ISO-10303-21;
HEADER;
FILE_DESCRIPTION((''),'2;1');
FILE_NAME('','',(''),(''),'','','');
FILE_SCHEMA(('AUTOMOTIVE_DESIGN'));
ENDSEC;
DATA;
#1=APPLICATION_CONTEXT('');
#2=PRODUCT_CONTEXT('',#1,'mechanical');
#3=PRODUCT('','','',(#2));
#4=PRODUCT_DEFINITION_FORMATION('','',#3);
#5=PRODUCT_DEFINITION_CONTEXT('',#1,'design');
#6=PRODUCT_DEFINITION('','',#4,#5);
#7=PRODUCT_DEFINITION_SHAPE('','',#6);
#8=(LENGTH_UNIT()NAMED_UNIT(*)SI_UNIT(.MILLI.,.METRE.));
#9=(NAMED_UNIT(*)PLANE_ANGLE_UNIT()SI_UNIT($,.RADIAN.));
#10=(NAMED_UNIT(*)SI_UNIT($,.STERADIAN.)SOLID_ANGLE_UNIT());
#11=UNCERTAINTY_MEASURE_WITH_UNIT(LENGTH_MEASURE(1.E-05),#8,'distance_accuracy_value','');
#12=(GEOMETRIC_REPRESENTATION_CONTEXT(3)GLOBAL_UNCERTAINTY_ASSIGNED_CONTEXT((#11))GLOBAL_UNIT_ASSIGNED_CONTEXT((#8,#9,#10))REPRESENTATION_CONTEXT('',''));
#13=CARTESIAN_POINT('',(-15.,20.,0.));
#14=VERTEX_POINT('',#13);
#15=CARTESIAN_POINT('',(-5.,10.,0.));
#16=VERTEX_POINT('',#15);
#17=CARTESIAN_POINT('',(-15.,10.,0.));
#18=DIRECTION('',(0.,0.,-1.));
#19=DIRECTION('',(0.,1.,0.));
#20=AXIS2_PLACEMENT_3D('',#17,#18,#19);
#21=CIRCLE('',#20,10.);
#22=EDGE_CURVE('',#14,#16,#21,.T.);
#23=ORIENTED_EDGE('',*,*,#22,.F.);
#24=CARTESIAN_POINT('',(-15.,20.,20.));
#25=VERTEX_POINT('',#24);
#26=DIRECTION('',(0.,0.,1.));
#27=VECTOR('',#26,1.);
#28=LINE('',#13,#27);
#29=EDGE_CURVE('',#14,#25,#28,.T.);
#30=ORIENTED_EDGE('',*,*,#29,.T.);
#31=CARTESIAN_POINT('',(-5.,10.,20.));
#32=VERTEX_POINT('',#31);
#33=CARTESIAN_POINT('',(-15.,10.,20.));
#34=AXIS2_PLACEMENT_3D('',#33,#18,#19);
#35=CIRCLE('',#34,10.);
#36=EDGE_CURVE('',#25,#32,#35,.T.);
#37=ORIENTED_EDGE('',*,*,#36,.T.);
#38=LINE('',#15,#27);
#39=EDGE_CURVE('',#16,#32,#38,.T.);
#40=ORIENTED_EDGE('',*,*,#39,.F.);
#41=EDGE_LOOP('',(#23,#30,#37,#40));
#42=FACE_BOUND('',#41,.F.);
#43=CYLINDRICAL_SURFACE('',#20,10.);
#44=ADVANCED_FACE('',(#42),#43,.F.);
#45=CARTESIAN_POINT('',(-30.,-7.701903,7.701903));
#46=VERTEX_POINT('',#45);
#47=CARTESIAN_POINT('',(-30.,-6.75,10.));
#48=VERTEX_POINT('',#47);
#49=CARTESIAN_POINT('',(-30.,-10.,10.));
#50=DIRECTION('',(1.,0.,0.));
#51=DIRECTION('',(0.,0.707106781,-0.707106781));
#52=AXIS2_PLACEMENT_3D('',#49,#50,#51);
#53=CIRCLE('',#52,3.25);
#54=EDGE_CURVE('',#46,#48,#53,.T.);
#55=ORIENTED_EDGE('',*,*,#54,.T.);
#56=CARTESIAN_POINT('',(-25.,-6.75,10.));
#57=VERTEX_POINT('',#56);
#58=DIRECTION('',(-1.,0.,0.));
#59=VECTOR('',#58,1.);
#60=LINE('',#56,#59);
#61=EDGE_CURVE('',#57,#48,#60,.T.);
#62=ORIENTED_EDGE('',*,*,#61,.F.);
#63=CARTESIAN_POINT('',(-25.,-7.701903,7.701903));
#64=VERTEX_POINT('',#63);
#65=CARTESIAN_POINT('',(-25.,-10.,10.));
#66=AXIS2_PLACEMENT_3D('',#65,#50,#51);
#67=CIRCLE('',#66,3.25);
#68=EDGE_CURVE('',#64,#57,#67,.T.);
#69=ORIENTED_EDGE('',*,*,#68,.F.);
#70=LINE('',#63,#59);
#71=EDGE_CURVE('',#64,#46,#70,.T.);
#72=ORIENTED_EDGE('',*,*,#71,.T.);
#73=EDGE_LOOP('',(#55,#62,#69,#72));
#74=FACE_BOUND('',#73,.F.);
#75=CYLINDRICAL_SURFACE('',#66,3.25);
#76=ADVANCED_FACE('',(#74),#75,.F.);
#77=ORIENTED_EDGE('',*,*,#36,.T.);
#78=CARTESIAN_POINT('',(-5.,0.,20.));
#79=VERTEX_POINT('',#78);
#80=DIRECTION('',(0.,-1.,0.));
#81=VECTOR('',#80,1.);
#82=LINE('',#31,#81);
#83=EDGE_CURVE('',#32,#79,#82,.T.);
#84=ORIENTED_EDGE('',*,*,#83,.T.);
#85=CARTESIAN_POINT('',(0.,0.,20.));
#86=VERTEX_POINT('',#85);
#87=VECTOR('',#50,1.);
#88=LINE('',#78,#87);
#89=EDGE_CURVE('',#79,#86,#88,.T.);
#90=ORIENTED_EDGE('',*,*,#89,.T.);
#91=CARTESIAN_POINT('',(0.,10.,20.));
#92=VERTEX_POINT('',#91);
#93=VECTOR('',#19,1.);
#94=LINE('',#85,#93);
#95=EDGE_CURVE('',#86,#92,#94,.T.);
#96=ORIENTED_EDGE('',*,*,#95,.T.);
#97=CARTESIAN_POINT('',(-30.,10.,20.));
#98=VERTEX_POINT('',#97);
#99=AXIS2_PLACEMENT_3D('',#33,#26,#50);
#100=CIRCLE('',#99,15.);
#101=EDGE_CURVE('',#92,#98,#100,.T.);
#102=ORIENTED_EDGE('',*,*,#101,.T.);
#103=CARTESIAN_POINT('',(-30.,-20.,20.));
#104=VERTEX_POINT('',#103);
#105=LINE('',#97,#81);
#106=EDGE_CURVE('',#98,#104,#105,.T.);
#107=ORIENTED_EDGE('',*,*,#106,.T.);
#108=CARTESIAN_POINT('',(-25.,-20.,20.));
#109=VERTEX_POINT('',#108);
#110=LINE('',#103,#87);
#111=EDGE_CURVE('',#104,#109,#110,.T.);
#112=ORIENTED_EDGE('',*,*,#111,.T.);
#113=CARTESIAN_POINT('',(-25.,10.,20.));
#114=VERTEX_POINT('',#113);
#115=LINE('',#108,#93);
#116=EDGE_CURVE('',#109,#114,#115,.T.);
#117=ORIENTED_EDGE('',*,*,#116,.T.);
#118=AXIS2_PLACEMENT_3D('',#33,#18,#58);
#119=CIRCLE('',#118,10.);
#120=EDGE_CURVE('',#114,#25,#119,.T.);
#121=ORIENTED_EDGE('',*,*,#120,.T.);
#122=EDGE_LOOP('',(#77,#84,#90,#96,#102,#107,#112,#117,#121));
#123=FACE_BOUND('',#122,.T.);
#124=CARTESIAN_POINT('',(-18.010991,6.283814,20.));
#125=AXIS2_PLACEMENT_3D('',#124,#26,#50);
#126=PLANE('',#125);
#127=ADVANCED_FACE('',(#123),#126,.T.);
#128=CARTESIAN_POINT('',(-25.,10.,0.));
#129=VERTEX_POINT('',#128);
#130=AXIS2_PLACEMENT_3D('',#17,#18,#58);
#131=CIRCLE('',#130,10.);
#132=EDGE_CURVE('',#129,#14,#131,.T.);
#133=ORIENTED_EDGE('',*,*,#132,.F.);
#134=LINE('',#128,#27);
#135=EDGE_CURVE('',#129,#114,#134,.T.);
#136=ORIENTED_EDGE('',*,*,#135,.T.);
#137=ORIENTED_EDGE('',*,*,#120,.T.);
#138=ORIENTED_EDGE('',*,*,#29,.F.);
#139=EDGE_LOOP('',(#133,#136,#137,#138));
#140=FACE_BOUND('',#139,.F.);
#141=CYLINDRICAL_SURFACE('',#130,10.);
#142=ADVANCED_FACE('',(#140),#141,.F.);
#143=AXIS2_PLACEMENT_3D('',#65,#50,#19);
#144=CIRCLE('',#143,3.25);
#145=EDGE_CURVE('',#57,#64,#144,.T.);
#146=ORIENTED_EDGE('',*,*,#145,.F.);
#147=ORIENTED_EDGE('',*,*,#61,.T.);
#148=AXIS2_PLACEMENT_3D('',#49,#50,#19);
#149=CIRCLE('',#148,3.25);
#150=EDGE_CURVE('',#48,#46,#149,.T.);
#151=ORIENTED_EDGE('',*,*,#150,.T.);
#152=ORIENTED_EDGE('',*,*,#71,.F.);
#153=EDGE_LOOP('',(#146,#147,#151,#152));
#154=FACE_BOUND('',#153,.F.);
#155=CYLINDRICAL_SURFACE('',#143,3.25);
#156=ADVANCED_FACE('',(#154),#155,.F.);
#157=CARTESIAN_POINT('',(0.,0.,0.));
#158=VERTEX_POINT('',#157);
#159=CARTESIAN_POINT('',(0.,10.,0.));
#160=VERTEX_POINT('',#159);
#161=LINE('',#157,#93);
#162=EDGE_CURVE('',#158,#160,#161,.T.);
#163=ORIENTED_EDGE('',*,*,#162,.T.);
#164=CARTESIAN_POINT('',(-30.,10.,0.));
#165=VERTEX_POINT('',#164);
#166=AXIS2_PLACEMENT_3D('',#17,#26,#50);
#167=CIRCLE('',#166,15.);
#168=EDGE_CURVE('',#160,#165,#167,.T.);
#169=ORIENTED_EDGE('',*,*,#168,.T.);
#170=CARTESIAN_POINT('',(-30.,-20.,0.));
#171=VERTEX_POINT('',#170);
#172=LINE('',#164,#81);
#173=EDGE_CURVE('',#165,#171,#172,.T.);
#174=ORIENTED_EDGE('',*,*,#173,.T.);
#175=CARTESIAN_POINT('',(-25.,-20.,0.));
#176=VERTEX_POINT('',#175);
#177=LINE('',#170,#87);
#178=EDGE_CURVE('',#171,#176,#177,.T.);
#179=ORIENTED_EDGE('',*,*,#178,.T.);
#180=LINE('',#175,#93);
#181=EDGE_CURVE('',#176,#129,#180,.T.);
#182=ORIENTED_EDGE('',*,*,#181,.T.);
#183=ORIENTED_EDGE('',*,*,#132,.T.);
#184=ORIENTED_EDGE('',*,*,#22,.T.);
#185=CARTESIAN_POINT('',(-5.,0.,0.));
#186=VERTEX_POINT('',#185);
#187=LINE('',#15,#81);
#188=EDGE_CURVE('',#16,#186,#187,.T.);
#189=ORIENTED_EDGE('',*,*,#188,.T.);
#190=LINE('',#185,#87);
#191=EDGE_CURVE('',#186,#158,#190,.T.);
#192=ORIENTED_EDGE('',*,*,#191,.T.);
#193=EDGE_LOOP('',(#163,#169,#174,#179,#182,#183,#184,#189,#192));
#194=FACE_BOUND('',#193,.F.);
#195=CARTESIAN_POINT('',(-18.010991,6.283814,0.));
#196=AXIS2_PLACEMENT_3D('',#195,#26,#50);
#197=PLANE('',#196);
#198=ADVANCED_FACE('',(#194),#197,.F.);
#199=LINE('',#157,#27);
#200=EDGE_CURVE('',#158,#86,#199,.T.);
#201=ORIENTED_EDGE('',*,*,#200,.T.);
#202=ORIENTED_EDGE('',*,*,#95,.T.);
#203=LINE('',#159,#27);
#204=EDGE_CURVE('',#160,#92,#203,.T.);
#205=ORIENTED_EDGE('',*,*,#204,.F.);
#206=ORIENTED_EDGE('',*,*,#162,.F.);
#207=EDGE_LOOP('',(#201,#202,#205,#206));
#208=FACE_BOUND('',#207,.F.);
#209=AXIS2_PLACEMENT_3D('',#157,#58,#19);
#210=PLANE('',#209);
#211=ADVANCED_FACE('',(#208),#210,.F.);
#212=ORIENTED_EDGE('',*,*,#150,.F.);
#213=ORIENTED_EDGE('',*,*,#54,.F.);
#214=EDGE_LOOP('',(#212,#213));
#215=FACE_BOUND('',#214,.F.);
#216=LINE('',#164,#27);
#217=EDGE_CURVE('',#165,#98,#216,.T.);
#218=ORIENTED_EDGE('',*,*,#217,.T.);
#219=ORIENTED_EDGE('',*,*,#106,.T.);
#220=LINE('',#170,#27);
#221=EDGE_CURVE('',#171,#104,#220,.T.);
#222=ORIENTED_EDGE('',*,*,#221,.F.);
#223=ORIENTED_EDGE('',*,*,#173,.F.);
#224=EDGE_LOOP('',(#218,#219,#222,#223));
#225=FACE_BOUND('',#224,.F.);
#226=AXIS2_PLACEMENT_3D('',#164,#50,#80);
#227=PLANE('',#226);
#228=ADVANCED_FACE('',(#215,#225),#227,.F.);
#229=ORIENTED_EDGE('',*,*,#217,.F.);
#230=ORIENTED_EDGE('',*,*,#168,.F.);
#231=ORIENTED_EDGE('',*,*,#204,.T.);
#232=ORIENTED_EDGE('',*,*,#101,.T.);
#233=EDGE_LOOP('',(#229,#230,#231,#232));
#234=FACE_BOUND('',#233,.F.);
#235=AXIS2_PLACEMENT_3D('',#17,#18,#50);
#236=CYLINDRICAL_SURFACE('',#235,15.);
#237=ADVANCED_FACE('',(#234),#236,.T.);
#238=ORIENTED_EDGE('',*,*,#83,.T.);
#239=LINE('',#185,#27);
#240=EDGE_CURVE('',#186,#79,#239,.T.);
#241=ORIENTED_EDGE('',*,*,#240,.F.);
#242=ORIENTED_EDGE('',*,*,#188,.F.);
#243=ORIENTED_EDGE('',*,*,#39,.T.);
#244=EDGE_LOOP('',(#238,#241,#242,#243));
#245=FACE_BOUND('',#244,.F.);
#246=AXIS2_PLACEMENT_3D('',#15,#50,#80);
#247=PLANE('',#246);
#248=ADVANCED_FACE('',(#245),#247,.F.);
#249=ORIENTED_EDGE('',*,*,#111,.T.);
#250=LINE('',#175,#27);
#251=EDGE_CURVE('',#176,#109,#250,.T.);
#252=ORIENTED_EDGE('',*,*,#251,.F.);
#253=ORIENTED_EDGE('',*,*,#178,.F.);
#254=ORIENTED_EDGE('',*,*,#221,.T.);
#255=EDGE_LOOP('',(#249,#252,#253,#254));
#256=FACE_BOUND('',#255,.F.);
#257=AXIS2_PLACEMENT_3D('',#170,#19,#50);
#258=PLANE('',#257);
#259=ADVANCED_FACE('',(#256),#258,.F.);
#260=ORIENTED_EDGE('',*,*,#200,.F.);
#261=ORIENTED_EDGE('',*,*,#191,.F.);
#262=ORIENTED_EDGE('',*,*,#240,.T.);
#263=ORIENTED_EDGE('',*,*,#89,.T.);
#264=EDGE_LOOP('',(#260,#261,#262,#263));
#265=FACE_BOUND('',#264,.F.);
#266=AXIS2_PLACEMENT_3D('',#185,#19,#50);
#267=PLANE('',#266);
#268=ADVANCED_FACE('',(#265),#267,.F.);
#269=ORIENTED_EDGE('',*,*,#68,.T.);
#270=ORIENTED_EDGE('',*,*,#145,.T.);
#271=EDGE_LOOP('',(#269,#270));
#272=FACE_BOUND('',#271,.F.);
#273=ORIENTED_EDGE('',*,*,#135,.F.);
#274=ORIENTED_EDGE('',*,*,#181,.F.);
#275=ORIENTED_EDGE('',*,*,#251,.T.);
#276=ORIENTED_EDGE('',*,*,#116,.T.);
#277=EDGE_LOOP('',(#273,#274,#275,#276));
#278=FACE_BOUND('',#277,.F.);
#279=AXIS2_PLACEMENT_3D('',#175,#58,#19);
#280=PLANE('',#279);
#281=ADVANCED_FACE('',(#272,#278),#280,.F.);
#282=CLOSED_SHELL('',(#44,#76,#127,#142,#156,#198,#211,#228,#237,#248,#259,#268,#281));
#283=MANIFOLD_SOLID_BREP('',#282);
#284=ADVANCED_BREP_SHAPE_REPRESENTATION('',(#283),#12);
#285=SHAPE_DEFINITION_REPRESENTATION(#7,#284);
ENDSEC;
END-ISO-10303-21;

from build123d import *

# Parameters (mm, degrees)
F1_DEPTH = 20
F3_DEPTH = 25


with BuildPart() as f1:
    # F0 (on Top) → F1 (new body)
    with BuildSketch(Plane.XY):
        with BuildLine():
            Line((-5, 0), (0, 0))
            Line((0, 0), (0, 10))
            ThreePointArc((0, 10), (-4.3933982822, 20.6066017178), (-15, 25))
            ThreePointArc((-15, 25), (-25.6066017178, 20.6066017178), (-30, 10))
            Line((-30, 10), (-30, -20))
            Line((-30, -20), (-25, -20))
            Line((-25, -20), (-25, 10))
            ThreePointArc((-25, 10), (-22.0710678119, 17.0710678119), (-15, 20))
            ThreePointArc((-15, 20), (-7.9289321881, 17.0710678119), (-5, 10))
            Line((-5, 10), (-5, 0))
        make_face()
    extrude(amount=F1_DEPTH)

    # F2 (on face) → F3 (cut)
    with BuildSketch(Plane.YZ.offset(-25)):
        with BuildLine():
            ThreePointArc((-6.75, 10), (-8.7562788448, 13.0026084807), (-12.2980970389, 12.2980970389))
            Line((-12.2980970389, 12.2980970389), (-7.7019029611, 7.7019029611))
            ThreePointArc((-7.7019029611, 7.7019029611), (-6.9973915193, 8.7562788448), (-6.75, 10))
        make_face()
        with BuildLine():
            Line((-7.7019029611, 7.7019029611), (-12.2980970389, 12.2980970389))
            ThreePointArc((-12.2980970389, 12.2980970389), (-12.2980970389, 7.7019029611), (-7.7019029611, 7.7019029611))
        make_face()
    extrude(amount=-F3_DEPTH, mode=Mode.SUBTRACT)


solid = f1.part
